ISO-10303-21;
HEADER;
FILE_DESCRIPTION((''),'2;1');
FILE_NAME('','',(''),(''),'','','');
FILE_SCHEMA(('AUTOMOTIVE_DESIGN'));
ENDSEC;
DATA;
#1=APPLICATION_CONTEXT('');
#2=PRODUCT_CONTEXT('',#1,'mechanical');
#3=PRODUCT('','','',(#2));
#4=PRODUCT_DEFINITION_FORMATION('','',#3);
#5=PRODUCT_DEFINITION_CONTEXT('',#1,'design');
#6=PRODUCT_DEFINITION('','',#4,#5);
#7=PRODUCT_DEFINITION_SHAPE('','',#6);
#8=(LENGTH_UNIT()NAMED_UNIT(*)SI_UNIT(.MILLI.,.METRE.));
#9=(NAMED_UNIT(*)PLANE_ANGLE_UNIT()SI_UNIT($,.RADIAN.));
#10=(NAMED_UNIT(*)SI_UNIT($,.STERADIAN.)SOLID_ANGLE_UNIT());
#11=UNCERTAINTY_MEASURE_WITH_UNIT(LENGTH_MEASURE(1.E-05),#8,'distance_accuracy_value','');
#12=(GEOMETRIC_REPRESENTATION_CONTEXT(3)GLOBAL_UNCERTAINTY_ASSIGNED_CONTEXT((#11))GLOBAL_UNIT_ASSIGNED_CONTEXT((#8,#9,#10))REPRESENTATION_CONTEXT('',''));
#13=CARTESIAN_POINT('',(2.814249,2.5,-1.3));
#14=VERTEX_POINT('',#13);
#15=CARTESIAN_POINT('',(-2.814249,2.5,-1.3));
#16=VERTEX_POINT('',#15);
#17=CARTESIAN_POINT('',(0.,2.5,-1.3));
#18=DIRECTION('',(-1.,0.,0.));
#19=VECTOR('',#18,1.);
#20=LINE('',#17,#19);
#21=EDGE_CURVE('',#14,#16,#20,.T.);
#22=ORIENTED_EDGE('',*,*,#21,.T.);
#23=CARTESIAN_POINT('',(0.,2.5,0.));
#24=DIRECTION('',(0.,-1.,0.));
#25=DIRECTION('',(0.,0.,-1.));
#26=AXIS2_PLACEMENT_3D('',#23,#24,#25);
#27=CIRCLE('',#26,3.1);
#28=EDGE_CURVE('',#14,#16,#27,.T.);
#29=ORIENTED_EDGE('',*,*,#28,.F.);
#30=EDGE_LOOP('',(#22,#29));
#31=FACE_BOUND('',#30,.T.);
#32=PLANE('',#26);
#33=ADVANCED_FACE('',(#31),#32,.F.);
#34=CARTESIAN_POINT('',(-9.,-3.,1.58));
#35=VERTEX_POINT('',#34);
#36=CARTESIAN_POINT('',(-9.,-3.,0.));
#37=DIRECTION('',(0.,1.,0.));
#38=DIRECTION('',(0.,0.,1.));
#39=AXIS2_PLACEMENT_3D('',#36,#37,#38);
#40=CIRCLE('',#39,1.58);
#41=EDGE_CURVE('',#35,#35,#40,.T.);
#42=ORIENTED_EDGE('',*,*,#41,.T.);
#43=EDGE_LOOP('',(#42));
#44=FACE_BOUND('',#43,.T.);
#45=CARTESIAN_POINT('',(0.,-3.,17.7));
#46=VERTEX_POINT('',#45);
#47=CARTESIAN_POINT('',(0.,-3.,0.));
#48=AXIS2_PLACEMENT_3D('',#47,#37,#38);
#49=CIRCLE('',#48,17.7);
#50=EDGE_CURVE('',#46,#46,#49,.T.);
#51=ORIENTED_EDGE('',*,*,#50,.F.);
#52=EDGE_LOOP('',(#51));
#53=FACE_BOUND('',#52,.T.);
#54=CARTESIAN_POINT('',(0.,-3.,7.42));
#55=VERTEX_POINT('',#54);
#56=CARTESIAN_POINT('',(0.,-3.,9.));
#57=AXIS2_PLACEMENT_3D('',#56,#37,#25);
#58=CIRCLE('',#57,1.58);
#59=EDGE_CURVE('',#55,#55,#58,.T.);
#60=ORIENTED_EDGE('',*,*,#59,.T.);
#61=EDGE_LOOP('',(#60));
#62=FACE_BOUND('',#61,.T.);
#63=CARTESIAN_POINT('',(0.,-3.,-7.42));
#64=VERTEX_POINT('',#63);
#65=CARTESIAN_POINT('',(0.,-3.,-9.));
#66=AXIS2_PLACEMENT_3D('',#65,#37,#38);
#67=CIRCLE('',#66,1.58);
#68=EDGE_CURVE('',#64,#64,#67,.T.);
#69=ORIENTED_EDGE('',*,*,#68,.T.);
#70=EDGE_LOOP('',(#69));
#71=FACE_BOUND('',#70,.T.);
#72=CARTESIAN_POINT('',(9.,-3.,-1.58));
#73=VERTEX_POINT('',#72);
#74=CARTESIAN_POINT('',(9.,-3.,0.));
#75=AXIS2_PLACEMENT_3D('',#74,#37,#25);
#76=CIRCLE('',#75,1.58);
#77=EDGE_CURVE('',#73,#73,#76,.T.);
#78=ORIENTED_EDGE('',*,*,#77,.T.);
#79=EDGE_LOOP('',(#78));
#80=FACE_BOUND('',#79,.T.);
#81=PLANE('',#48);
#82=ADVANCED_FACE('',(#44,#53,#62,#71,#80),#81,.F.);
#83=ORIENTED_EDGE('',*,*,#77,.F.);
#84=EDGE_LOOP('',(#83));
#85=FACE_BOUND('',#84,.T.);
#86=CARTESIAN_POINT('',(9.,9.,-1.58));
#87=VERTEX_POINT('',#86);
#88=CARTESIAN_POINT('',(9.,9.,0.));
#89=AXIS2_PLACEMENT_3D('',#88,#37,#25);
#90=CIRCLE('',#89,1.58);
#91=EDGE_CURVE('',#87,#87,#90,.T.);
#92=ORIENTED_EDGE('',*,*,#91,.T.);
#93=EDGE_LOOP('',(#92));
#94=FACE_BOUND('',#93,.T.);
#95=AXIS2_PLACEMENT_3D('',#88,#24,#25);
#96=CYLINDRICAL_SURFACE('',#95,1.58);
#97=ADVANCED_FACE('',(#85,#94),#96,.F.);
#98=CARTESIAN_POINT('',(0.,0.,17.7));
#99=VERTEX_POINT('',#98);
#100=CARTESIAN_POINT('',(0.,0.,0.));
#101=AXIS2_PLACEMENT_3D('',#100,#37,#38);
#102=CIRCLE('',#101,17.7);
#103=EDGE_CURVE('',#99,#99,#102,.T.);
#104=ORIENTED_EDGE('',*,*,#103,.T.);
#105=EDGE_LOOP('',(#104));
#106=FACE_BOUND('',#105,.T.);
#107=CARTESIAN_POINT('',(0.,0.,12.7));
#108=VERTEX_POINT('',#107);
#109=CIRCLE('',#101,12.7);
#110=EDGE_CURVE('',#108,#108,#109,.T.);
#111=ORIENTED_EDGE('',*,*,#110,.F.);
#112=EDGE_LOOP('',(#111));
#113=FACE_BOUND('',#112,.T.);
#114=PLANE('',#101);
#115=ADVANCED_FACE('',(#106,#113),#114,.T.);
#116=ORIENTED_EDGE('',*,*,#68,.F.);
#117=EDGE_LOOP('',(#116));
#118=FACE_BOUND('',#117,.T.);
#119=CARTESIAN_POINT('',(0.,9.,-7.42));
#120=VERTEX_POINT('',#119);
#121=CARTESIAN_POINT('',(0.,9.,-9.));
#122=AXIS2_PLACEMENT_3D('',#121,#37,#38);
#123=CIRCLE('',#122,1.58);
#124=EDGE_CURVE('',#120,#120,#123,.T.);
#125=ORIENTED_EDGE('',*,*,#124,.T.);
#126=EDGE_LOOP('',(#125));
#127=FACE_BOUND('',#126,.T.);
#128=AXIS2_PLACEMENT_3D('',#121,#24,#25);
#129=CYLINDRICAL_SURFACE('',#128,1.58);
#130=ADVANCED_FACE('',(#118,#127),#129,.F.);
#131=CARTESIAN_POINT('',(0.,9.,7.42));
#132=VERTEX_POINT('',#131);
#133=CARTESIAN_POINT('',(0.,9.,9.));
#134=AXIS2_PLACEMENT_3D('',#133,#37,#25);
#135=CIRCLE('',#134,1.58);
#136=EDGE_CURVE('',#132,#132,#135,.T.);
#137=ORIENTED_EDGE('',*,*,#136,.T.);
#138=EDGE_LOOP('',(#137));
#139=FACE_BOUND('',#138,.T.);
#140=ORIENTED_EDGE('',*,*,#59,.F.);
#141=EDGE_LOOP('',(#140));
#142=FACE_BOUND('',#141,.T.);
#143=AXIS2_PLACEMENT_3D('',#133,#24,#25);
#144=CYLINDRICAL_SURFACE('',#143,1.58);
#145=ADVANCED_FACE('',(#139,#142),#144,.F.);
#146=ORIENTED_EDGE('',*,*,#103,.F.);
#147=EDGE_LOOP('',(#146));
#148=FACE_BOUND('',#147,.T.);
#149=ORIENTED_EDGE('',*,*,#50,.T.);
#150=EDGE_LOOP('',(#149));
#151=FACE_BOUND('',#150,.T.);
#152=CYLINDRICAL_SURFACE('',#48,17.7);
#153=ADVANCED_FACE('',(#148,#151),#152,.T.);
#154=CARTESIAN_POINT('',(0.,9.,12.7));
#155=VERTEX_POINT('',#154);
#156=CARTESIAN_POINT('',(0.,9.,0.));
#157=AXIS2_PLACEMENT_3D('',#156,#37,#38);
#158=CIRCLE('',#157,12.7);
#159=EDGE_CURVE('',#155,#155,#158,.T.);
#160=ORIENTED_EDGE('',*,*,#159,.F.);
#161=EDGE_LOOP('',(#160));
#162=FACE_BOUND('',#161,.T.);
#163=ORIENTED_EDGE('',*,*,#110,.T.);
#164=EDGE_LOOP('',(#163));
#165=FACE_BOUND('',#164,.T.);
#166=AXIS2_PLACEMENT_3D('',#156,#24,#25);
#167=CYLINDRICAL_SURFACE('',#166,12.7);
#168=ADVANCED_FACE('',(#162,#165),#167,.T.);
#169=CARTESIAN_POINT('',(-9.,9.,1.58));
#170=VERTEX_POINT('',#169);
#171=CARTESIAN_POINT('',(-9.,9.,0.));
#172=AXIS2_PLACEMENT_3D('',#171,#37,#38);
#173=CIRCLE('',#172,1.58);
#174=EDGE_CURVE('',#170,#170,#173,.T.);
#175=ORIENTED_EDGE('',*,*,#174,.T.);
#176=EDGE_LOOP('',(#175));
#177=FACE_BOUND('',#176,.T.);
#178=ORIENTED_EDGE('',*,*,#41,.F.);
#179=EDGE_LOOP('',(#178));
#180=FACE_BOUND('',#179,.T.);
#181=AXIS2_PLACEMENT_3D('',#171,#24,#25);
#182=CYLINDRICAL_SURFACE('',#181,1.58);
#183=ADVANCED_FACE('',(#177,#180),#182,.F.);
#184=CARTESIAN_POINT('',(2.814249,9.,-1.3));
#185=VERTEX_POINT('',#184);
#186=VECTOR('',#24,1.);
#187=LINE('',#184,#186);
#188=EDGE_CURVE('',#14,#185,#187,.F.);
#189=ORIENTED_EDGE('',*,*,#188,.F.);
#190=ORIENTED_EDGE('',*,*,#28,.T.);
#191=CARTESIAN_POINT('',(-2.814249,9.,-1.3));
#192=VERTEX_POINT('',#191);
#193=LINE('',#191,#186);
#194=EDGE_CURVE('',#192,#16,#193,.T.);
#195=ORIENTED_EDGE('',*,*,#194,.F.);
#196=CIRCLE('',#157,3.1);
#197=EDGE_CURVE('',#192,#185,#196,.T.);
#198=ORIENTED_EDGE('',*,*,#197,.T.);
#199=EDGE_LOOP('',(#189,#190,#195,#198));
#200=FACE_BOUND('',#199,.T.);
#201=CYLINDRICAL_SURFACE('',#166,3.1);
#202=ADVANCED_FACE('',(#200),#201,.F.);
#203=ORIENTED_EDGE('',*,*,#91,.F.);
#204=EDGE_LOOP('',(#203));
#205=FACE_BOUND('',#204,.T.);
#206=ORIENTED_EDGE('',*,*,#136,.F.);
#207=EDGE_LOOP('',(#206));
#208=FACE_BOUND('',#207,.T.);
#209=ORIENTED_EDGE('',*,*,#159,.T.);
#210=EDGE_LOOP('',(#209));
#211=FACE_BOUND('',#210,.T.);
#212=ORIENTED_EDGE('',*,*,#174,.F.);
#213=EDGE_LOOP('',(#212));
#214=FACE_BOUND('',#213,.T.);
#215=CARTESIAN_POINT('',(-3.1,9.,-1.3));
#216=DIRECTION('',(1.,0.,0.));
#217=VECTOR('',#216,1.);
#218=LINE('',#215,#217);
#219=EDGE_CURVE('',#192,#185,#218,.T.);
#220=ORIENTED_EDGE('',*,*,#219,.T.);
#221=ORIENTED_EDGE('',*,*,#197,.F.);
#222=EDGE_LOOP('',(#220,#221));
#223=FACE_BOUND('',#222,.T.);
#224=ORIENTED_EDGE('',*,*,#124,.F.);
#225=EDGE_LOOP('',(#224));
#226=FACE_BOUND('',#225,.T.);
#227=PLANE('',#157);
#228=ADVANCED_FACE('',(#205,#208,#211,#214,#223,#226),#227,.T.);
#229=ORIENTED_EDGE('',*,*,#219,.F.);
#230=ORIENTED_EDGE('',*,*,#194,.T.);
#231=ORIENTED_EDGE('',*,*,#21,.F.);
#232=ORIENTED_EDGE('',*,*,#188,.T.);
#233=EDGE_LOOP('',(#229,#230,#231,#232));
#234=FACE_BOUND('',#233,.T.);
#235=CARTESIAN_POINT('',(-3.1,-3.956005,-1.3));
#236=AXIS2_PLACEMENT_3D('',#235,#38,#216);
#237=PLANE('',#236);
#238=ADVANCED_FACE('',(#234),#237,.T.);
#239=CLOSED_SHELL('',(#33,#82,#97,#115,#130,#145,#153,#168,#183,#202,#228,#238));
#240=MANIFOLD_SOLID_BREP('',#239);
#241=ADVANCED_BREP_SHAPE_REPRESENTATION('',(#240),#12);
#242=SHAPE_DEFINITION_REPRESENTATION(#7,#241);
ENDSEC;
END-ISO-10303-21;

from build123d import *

# Parameters (mm, degrees)
SKETCH1_R               = 12.7
BOSS_EXTRUDE1_DEPTH     = 9
SKETCH2_R               = 17.7
BOSS_EXTRUDE2_DEPTH     = 3
SKETCH3_R               = 3.1
SKETCH3_R_2             = 1.58
CUT_EXTRUDE1_DEPTH      = 10
CUT_EXTRUDE1_DEPTH_BACK = 4
SKETCH4_R               = 3.1
BOSS_EXTRUDE3_DEPTH     = 5.5
SKETCH5_W               = 6.2
SKETCH5_H               = 1.8
BOSS_EXTRUDE4_DEPTH     = 6.5


with BuildPart() as part:
    # Sketch1 → Boss-Extrude1 (new body)
    with BuildSketch(Plane(origin=(0, 0, 0), x_dir=(1, 0, 0), z_dir=(0, 1, 0))):
        Circle(SKETCH1_R)
    extrude(amount=BOSS_EXTRUDE1_DEPTH)

    # Sketch2 → Boss-Extrude2 (add)
    with BuildSketch(Plane(origin=(0, 0, 0), x_dir=(-1, 0, 0), z_dir=(0, 1, 0))):
        Circle(SKETCH2_R)
    extrude(amount=-BOSS_EXTRUDE2_DEPTH)

    # Sketch3 → Cut-Extrude1 (cut, two sides)
    with BuildSketch(Plane(origin=(0, 0, 0), x_dir=(1, 0, 0), z_dir=(0, 1, 0))) as cut_extrude1_sk:
        Circle(SKETCH3_R)
        with Locations((-9, 0)):
            Circle(SKETCH3_R_2)
        with Locations((9, 0)):
            Circle(SKETCH3_R_2)
        with Locations((0, 9)):
            Circle(SKETCH3_R_2)
        with Locations((0, -9)):
            Circle(SKETCH3_R_2)
    extrude(amount=CUT_EXTRUDE1_DEPTH, mode=Mode.SUBTRACT)
    extrude(cut_extrude1_sk.sketch, amount=-CUT_EXTRUDE1_DEPTH_BACK, mode=Mode.SUBTRACT)

    # Sketch4 → Boss-Extrude3 (add)
    with BuildSketch(Plane.XZ.offset(3)):
        Circle(SKETCH4_R)
    extrude(amount=-BOSS_EXTRUDE3_DEPTH)

    # Sketch5 → Boss-Extrude4 (add)
    with BuildSketch(Plane(origin=(0, 9, 0), x_dir=(1, 0, 0), z_dir=(0, 1, 0))):
        with Locations((0, 2.2)):
            Rectangle(SKETCH5_W, SKETCH5_H)
    extrude(amount=-BOSS_EXTRUDE4_DEPTH)


solid = part.part
